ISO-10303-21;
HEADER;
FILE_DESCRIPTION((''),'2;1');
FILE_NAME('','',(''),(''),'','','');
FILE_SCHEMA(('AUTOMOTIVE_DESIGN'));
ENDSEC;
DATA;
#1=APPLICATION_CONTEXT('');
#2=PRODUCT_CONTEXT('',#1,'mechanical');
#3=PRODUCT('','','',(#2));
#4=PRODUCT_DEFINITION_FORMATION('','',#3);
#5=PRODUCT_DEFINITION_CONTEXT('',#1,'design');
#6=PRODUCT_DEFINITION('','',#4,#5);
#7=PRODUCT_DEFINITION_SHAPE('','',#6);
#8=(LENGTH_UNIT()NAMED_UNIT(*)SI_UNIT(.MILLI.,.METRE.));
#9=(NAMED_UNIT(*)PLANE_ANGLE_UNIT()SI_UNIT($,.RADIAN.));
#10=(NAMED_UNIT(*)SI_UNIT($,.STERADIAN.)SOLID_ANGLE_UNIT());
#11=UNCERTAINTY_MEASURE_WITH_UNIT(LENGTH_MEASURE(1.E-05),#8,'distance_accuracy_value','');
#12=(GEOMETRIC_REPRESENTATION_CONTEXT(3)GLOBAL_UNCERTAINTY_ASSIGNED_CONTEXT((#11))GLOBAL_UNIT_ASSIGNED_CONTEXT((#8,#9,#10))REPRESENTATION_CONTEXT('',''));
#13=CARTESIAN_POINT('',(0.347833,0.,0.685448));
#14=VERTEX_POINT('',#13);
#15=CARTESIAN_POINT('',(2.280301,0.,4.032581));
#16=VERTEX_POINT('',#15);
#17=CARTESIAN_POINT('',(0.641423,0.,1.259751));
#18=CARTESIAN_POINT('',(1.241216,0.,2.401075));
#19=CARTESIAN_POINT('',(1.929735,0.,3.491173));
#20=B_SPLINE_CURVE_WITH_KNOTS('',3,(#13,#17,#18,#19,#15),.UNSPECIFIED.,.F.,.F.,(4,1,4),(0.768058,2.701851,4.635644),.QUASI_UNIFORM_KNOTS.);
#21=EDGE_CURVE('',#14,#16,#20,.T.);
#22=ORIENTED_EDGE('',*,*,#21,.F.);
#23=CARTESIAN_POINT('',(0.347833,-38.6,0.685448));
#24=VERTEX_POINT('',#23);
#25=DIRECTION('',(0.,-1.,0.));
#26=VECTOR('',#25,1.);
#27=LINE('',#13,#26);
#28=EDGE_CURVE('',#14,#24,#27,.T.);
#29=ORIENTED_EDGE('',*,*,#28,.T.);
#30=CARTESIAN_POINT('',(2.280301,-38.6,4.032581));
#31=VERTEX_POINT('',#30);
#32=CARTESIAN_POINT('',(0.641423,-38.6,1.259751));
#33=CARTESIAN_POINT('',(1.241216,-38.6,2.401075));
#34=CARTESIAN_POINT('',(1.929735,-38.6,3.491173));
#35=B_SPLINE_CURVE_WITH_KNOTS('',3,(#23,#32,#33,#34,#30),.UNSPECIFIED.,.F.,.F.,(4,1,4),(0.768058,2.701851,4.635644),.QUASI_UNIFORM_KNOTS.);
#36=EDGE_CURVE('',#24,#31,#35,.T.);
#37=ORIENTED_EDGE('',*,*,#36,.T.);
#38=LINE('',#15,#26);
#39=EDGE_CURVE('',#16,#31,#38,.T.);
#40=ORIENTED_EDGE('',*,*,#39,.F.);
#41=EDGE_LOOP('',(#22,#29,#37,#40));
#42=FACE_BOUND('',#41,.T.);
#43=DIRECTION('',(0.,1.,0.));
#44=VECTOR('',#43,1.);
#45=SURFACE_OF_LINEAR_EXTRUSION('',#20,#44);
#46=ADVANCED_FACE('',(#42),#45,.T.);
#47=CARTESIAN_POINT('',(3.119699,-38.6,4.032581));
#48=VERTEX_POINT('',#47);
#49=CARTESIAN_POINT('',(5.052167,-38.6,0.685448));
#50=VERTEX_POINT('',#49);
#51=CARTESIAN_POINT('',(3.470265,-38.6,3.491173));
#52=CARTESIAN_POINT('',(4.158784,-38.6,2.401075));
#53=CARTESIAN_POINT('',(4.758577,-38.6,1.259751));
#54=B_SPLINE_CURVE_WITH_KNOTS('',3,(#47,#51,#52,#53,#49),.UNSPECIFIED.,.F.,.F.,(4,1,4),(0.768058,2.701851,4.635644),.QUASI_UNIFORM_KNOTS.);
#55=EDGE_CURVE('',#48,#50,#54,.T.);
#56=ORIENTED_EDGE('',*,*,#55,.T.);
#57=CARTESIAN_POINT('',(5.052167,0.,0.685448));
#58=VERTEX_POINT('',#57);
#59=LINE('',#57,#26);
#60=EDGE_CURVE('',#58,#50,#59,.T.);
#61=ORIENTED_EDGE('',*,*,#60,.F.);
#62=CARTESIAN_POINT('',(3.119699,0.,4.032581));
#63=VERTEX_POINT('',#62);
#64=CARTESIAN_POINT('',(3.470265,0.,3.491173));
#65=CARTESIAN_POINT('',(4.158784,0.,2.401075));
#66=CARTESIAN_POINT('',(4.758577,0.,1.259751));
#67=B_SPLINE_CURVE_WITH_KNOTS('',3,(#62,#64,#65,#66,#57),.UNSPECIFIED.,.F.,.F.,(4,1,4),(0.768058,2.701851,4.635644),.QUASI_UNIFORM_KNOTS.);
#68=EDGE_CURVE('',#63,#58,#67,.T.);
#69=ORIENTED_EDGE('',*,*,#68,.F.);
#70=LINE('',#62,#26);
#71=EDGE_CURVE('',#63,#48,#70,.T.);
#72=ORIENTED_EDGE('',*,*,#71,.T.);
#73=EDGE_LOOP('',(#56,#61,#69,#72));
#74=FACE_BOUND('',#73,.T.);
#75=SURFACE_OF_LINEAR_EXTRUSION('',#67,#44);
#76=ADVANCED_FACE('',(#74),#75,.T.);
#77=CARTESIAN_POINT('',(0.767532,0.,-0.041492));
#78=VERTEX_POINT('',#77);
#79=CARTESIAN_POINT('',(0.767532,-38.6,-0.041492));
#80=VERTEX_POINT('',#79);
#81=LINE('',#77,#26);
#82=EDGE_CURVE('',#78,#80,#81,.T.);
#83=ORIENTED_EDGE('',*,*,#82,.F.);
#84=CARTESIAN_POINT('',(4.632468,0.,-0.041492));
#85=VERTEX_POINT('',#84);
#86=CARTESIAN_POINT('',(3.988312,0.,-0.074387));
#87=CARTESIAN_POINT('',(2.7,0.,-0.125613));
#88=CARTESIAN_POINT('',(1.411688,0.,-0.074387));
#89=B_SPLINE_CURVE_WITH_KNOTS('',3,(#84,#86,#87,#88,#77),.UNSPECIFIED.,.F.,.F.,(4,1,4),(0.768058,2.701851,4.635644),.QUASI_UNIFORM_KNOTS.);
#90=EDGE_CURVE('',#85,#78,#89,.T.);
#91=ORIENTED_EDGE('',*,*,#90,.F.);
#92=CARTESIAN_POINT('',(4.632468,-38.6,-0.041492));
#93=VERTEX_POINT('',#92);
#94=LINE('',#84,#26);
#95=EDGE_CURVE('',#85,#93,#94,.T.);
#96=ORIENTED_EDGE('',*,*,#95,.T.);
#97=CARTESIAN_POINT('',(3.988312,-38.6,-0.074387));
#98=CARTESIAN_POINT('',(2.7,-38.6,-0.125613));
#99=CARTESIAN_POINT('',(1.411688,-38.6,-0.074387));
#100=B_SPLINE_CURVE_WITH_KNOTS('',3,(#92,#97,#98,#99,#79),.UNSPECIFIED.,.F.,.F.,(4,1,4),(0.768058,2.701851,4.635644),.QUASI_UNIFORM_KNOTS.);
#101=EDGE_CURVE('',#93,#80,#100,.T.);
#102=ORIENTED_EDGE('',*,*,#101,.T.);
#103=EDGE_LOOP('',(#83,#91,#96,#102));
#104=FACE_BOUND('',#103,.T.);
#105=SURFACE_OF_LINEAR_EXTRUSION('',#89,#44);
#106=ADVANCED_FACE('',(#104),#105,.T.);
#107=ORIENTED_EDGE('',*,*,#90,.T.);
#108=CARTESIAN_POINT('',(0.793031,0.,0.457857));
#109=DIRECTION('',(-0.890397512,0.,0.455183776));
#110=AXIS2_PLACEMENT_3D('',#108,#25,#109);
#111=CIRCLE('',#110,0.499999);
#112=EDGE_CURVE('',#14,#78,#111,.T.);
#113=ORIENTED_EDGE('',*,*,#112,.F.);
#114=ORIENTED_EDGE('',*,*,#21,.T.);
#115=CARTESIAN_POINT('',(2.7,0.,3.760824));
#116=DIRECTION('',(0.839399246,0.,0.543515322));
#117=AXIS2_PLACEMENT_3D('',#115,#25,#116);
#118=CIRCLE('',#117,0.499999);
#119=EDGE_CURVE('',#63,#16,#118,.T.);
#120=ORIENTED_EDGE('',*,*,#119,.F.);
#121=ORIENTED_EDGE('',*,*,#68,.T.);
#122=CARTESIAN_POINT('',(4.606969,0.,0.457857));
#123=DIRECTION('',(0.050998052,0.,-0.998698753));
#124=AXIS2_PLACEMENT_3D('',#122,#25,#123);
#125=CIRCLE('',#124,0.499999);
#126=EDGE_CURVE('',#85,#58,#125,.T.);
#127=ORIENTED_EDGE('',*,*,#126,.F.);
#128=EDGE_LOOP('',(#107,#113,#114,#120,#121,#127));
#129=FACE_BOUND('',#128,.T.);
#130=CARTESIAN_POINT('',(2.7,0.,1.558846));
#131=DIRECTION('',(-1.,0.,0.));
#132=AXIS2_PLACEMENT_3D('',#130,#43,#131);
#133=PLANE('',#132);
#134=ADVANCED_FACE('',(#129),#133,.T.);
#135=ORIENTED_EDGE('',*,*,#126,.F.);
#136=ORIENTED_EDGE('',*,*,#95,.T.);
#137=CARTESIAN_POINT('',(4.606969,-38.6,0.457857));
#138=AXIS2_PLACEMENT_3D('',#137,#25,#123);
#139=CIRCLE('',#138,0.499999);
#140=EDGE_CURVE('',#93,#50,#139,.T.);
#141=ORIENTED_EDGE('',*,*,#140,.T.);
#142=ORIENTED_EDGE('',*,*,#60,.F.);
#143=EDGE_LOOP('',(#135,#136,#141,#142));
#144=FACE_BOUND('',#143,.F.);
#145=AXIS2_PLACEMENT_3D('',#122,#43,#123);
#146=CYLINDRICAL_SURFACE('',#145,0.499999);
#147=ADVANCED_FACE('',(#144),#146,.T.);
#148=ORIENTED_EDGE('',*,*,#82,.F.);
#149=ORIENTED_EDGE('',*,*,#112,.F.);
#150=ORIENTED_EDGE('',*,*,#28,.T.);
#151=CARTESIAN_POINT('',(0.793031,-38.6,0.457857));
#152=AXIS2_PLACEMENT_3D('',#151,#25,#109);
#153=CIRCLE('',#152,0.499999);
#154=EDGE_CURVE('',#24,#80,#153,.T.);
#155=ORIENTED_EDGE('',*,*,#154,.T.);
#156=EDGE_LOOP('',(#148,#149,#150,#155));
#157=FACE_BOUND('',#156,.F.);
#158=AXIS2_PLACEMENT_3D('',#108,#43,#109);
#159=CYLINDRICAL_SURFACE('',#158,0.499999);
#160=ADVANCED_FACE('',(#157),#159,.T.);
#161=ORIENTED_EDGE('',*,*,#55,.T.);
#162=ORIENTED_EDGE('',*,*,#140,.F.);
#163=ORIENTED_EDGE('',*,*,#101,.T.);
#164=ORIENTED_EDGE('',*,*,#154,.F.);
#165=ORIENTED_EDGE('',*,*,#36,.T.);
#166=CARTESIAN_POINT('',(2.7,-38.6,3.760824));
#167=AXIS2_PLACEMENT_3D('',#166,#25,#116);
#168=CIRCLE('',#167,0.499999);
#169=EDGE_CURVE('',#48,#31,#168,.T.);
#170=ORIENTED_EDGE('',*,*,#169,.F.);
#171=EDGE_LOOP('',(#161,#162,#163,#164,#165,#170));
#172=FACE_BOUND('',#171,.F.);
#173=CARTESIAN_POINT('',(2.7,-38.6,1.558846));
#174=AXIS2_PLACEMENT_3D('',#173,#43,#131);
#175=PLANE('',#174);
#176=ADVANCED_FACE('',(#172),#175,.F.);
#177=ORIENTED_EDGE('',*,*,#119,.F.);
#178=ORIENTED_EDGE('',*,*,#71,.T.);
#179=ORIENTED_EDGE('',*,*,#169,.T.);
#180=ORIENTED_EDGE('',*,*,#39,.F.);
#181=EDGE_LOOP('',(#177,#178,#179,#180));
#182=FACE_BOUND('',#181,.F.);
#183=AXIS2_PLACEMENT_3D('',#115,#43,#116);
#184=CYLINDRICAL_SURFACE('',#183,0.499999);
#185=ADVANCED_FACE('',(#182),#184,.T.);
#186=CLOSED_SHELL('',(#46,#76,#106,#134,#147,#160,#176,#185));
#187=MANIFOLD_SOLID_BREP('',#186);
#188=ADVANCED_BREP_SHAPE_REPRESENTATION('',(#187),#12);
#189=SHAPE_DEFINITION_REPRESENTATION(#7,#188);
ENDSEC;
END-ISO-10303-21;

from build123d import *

# Parameters (mm, degrees)
F1_DEPTH = 38.6


with BuildPart() as f1:
    # F0 (on Front) → F1 (new body)
    with BuildSketch(Plane.XZ):
        with BuildLine():
            add(Edge.make_bspline(
                [(0.347833, 0.685448), (0.641423, 1.259751), (1.241216, 2.401075), (1.929735, 3.491173), (2.280301, 4.032581)],
                knots=[0.768058, 0.768058, 0.768058, 0.768058, 2.701851, 4.635644, 4.635644, 4.635644, 4.635644], degree=3))
            ThreePointArc((0.347833, 0.685448), (0.360019, 0.207857), (0.767532, -0.041492))
            add(Edge.make_bspline(
                [(4.632468, -0.041492), (3.988312, -0.074387), (2.7, -0.125613), (1.411688, -0.074387), (0.767532, -0.041492)],
                knots=[0.768058, 0.768058, 0.768058, 0.768058, 2.701851, 4.635644, 4.635644, 4.635644, 4.635644], degree=3))
            ThreePointArc((4.632468, -0.041492), (5.039981, 0.207857), (5.052167, 0.685448))
            add(Edge.make_bspline(
                [(3.119699, 4.032581), (3.470265, 3.491173), (4.158784, 2.401075), (4.758577, 1.259751), (5.052167, 0.685448)],
                knots=[0.768058, 0.768058, 0.768058, 0.768058, 2.701851, 4.635644, 4.635644, 4.635644, 4.635644], degree=3))
            ThreePointArc((3.119699, 4.032581), (2.7, 4.260823), (2.280301, 4.032581))
        make_face()
    extrude(amount=F1_DEPTH)


solid = f1.part
